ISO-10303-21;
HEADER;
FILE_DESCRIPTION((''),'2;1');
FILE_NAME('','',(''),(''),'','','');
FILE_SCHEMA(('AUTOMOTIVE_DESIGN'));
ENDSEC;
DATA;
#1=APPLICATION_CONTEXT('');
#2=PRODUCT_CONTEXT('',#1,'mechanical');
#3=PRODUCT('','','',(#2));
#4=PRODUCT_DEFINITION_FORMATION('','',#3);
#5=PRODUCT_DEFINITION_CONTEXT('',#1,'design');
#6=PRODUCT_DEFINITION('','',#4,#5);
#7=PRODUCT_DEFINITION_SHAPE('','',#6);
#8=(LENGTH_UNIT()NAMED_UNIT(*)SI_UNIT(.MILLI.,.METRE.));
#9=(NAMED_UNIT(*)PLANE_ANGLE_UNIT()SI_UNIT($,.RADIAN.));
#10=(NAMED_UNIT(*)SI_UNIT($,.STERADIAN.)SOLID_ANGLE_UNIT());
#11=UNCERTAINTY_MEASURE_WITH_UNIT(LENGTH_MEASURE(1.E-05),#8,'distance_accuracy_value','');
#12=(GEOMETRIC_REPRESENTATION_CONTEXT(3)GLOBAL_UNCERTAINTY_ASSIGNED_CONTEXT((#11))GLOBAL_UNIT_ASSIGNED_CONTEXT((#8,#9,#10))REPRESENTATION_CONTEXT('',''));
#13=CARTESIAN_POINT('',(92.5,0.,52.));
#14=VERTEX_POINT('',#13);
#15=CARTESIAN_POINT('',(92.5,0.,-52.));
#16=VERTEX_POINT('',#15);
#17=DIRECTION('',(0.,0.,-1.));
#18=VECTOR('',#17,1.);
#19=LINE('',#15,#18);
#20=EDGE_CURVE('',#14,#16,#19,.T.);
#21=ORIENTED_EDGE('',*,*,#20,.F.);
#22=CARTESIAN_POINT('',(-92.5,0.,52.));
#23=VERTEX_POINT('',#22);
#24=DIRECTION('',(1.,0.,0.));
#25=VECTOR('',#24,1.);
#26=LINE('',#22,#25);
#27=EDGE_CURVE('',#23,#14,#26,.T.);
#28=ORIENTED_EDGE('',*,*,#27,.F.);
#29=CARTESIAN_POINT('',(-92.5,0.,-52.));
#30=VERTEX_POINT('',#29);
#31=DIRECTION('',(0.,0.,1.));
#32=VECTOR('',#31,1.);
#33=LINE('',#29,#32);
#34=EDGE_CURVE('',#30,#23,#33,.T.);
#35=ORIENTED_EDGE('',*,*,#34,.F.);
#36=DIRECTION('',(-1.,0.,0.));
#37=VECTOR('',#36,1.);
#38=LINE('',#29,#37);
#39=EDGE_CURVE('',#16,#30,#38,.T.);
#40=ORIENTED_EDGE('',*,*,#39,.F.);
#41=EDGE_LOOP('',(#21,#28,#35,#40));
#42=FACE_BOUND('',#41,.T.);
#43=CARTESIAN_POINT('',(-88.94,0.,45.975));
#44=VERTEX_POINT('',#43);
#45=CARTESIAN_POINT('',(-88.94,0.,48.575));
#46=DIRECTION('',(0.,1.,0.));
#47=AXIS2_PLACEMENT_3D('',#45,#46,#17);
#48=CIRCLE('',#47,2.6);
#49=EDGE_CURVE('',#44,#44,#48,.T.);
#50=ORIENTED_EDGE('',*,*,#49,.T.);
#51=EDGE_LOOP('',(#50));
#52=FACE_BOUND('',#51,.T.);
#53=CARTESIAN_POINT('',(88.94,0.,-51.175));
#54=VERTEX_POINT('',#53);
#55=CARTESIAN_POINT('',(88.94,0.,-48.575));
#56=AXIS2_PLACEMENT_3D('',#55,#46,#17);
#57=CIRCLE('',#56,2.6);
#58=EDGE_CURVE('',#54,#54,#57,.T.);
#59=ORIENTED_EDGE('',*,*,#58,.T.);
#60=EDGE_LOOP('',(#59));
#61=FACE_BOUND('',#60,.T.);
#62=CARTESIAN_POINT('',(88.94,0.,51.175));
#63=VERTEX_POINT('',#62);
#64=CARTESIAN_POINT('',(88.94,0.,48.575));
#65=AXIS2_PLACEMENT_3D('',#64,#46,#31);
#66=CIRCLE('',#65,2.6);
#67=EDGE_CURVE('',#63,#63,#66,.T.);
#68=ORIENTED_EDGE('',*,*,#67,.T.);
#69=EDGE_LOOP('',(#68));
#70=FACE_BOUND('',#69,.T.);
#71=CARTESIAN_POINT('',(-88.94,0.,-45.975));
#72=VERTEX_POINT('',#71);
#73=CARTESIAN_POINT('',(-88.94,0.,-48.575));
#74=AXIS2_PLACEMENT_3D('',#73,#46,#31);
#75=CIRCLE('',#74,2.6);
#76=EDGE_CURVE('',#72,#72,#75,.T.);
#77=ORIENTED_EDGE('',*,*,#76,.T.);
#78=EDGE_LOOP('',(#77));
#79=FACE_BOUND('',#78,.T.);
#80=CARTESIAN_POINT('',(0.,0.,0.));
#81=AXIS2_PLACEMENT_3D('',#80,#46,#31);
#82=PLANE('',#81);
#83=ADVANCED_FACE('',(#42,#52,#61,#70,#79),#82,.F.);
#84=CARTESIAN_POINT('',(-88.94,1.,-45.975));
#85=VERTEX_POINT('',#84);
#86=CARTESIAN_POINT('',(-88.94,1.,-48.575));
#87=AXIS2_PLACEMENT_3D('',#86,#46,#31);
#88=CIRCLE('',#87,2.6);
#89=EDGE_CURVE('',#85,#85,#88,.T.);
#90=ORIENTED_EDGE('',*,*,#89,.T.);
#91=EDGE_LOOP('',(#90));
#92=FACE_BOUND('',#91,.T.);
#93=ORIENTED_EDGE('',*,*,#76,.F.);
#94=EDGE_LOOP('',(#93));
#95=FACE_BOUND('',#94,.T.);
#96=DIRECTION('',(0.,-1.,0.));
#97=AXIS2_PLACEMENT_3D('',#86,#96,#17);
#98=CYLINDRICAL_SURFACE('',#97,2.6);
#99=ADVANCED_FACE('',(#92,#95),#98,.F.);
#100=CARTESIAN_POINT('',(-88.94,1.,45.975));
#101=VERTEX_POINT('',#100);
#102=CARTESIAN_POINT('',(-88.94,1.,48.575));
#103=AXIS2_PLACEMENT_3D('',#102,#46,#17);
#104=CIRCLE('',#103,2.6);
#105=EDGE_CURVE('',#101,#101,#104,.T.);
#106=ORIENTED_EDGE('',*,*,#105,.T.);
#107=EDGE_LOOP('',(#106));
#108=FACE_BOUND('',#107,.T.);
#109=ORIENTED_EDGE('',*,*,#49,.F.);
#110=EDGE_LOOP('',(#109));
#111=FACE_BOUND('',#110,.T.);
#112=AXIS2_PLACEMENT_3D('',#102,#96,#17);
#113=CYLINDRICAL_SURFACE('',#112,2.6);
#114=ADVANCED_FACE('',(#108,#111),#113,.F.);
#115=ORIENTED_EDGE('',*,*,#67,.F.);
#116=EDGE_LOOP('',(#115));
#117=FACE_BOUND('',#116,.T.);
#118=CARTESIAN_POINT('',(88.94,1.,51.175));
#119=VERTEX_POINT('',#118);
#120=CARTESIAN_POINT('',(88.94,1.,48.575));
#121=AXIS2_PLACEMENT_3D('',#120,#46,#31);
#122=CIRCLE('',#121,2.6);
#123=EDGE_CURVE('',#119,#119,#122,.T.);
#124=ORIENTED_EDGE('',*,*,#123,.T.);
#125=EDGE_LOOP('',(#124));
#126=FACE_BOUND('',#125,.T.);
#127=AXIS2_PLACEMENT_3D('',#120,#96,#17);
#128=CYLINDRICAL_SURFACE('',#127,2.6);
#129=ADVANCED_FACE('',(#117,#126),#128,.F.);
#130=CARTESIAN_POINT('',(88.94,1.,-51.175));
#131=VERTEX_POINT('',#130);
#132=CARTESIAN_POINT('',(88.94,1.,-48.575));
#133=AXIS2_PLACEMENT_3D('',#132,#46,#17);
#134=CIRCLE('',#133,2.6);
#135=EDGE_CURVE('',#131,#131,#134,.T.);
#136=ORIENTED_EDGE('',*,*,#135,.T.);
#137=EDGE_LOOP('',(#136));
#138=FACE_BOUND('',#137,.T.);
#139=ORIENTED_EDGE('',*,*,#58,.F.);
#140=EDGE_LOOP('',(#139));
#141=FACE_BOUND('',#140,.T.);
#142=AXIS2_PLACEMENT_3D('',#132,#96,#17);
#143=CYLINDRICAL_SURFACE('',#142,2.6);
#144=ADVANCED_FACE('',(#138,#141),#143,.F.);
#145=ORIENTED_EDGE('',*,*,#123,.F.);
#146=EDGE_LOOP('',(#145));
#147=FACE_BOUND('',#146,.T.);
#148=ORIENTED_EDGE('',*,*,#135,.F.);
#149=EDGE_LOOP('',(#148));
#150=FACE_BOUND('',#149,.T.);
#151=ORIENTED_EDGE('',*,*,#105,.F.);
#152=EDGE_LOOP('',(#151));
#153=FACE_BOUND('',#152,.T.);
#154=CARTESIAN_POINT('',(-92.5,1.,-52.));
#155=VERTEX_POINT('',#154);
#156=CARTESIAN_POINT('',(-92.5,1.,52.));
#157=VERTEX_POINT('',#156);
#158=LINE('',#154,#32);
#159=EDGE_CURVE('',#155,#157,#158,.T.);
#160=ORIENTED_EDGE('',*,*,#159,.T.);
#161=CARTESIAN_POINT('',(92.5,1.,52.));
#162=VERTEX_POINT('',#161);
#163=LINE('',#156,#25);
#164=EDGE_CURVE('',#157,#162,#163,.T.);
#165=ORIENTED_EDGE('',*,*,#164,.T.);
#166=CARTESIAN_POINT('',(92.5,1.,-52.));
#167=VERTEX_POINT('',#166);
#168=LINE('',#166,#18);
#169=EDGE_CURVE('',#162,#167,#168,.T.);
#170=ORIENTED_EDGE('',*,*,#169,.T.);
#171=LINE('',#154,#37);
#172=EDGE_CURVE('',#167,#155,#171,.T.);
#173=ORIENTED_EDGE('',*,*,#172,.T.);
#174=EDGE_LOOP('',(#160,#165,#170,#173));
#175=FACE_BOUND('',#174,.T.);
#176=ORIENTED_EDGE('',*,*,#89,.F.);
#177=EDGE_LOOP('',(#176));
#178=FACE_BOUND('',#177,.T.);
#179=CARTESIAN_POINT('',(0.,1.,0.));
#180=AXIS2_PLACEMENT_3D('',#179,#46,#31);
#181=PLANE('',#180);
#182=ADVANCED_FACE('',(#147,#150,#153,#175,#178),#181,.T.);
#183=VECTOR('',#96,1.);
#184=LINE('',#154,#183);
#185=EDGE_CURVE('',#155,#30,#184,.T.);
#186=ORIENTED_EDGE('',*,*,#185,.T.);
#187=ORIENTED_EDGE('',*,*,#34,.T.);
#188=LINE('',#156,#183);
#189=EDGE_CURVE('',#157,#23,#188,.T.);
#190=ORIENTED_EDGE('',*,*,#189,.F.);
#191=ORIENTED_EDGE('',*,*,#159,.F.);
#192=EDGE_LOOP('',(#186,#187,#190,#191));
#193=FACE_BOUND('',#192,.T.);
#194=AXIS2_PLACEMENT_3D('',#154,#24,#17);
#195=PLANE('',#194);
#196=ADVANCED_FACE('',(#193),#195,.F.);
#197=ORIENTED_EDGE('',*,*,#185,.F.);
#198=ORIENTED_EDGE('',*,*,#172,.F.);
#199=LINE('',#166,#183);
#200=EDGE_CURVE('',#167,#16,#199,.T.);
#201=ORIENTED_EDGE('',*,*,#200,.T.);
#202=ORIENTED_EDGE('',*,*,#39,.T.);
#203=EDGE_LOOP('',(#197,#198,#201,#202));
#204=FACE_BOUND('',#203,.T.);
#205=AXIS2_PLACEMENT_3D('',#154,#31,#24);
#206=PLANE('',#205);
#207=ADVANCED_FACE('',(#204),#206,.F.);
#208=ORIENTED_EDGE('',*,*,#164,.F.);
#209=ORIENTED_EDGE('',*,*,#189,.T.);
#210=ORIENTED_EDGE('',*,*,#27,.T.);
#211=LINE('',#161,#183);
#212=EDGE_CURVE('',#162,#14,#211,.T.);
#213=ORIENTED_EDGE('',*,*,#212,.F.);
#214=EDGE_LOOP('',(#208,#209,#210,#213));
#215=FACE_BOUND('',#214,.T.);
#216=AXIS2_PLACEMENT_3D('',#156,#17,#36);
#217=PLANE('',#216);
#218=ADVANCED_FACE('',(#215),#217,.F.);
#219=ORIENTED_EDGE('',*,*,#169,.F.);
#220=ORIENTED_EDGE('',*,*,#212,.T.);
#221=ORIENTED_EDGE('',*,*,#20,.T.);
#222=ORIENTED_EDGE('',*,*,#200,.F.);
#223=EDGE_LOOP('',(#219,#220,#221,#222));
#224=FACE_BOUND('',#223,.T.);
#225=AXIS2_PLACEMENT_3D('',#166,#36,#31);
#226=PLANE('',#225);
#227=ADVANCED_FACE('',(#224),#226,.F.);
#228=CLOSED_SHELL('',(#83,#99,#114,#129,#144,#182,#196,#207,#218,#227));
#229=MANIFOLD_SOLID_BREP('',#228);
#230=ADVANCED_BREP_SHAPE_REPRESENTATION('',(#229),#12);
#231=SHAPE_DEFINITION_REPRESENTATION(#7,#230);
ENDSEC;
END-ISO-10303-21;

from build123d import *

# Parameters (mm, degrees)
SKETCH1_W           = 185
SKETCH1_H           = 104
SKETCH1_R           = 2.6
BOSS_EXTRUDE1_DEPTH = 1


with BuildPart() as part:
    # Sketch1 → Boss-Extrude1 (new body)
    with BuildSketch(Plane(origin=(0, 0, 0), x_dir=(1, 0, 0), z_dir=(0, 1, 0))):
        Rectangle(SKETCH1_W, SKETCH1_H)
        with Locations(Location((-88.94, 48.575, 0), (0, 0, 270))):
            Circle(SKETCH1_R, mode=Mode.SUBTRACT)
        with Locations(Location((88.94, 48.575, 0), (0, 0, 90))):
            Circle(SKETCH1_R, mode=Mode.SUBTRACT)
        with Locations(Location((88.94, -48.575, 0), (0, 0, 270))):
            Circle(SKETCH1_R, mode=Mode.SUBTRACT)
        with Locations(Location((-88.94, -48.575, 0), (0, 0, 90))):
            Circle(SKETCH1_R, mode=Mode.SUBTRACT)
    extrude(amount=BOSS_EXTRUDE1_DEPTH)


solid = part.part
